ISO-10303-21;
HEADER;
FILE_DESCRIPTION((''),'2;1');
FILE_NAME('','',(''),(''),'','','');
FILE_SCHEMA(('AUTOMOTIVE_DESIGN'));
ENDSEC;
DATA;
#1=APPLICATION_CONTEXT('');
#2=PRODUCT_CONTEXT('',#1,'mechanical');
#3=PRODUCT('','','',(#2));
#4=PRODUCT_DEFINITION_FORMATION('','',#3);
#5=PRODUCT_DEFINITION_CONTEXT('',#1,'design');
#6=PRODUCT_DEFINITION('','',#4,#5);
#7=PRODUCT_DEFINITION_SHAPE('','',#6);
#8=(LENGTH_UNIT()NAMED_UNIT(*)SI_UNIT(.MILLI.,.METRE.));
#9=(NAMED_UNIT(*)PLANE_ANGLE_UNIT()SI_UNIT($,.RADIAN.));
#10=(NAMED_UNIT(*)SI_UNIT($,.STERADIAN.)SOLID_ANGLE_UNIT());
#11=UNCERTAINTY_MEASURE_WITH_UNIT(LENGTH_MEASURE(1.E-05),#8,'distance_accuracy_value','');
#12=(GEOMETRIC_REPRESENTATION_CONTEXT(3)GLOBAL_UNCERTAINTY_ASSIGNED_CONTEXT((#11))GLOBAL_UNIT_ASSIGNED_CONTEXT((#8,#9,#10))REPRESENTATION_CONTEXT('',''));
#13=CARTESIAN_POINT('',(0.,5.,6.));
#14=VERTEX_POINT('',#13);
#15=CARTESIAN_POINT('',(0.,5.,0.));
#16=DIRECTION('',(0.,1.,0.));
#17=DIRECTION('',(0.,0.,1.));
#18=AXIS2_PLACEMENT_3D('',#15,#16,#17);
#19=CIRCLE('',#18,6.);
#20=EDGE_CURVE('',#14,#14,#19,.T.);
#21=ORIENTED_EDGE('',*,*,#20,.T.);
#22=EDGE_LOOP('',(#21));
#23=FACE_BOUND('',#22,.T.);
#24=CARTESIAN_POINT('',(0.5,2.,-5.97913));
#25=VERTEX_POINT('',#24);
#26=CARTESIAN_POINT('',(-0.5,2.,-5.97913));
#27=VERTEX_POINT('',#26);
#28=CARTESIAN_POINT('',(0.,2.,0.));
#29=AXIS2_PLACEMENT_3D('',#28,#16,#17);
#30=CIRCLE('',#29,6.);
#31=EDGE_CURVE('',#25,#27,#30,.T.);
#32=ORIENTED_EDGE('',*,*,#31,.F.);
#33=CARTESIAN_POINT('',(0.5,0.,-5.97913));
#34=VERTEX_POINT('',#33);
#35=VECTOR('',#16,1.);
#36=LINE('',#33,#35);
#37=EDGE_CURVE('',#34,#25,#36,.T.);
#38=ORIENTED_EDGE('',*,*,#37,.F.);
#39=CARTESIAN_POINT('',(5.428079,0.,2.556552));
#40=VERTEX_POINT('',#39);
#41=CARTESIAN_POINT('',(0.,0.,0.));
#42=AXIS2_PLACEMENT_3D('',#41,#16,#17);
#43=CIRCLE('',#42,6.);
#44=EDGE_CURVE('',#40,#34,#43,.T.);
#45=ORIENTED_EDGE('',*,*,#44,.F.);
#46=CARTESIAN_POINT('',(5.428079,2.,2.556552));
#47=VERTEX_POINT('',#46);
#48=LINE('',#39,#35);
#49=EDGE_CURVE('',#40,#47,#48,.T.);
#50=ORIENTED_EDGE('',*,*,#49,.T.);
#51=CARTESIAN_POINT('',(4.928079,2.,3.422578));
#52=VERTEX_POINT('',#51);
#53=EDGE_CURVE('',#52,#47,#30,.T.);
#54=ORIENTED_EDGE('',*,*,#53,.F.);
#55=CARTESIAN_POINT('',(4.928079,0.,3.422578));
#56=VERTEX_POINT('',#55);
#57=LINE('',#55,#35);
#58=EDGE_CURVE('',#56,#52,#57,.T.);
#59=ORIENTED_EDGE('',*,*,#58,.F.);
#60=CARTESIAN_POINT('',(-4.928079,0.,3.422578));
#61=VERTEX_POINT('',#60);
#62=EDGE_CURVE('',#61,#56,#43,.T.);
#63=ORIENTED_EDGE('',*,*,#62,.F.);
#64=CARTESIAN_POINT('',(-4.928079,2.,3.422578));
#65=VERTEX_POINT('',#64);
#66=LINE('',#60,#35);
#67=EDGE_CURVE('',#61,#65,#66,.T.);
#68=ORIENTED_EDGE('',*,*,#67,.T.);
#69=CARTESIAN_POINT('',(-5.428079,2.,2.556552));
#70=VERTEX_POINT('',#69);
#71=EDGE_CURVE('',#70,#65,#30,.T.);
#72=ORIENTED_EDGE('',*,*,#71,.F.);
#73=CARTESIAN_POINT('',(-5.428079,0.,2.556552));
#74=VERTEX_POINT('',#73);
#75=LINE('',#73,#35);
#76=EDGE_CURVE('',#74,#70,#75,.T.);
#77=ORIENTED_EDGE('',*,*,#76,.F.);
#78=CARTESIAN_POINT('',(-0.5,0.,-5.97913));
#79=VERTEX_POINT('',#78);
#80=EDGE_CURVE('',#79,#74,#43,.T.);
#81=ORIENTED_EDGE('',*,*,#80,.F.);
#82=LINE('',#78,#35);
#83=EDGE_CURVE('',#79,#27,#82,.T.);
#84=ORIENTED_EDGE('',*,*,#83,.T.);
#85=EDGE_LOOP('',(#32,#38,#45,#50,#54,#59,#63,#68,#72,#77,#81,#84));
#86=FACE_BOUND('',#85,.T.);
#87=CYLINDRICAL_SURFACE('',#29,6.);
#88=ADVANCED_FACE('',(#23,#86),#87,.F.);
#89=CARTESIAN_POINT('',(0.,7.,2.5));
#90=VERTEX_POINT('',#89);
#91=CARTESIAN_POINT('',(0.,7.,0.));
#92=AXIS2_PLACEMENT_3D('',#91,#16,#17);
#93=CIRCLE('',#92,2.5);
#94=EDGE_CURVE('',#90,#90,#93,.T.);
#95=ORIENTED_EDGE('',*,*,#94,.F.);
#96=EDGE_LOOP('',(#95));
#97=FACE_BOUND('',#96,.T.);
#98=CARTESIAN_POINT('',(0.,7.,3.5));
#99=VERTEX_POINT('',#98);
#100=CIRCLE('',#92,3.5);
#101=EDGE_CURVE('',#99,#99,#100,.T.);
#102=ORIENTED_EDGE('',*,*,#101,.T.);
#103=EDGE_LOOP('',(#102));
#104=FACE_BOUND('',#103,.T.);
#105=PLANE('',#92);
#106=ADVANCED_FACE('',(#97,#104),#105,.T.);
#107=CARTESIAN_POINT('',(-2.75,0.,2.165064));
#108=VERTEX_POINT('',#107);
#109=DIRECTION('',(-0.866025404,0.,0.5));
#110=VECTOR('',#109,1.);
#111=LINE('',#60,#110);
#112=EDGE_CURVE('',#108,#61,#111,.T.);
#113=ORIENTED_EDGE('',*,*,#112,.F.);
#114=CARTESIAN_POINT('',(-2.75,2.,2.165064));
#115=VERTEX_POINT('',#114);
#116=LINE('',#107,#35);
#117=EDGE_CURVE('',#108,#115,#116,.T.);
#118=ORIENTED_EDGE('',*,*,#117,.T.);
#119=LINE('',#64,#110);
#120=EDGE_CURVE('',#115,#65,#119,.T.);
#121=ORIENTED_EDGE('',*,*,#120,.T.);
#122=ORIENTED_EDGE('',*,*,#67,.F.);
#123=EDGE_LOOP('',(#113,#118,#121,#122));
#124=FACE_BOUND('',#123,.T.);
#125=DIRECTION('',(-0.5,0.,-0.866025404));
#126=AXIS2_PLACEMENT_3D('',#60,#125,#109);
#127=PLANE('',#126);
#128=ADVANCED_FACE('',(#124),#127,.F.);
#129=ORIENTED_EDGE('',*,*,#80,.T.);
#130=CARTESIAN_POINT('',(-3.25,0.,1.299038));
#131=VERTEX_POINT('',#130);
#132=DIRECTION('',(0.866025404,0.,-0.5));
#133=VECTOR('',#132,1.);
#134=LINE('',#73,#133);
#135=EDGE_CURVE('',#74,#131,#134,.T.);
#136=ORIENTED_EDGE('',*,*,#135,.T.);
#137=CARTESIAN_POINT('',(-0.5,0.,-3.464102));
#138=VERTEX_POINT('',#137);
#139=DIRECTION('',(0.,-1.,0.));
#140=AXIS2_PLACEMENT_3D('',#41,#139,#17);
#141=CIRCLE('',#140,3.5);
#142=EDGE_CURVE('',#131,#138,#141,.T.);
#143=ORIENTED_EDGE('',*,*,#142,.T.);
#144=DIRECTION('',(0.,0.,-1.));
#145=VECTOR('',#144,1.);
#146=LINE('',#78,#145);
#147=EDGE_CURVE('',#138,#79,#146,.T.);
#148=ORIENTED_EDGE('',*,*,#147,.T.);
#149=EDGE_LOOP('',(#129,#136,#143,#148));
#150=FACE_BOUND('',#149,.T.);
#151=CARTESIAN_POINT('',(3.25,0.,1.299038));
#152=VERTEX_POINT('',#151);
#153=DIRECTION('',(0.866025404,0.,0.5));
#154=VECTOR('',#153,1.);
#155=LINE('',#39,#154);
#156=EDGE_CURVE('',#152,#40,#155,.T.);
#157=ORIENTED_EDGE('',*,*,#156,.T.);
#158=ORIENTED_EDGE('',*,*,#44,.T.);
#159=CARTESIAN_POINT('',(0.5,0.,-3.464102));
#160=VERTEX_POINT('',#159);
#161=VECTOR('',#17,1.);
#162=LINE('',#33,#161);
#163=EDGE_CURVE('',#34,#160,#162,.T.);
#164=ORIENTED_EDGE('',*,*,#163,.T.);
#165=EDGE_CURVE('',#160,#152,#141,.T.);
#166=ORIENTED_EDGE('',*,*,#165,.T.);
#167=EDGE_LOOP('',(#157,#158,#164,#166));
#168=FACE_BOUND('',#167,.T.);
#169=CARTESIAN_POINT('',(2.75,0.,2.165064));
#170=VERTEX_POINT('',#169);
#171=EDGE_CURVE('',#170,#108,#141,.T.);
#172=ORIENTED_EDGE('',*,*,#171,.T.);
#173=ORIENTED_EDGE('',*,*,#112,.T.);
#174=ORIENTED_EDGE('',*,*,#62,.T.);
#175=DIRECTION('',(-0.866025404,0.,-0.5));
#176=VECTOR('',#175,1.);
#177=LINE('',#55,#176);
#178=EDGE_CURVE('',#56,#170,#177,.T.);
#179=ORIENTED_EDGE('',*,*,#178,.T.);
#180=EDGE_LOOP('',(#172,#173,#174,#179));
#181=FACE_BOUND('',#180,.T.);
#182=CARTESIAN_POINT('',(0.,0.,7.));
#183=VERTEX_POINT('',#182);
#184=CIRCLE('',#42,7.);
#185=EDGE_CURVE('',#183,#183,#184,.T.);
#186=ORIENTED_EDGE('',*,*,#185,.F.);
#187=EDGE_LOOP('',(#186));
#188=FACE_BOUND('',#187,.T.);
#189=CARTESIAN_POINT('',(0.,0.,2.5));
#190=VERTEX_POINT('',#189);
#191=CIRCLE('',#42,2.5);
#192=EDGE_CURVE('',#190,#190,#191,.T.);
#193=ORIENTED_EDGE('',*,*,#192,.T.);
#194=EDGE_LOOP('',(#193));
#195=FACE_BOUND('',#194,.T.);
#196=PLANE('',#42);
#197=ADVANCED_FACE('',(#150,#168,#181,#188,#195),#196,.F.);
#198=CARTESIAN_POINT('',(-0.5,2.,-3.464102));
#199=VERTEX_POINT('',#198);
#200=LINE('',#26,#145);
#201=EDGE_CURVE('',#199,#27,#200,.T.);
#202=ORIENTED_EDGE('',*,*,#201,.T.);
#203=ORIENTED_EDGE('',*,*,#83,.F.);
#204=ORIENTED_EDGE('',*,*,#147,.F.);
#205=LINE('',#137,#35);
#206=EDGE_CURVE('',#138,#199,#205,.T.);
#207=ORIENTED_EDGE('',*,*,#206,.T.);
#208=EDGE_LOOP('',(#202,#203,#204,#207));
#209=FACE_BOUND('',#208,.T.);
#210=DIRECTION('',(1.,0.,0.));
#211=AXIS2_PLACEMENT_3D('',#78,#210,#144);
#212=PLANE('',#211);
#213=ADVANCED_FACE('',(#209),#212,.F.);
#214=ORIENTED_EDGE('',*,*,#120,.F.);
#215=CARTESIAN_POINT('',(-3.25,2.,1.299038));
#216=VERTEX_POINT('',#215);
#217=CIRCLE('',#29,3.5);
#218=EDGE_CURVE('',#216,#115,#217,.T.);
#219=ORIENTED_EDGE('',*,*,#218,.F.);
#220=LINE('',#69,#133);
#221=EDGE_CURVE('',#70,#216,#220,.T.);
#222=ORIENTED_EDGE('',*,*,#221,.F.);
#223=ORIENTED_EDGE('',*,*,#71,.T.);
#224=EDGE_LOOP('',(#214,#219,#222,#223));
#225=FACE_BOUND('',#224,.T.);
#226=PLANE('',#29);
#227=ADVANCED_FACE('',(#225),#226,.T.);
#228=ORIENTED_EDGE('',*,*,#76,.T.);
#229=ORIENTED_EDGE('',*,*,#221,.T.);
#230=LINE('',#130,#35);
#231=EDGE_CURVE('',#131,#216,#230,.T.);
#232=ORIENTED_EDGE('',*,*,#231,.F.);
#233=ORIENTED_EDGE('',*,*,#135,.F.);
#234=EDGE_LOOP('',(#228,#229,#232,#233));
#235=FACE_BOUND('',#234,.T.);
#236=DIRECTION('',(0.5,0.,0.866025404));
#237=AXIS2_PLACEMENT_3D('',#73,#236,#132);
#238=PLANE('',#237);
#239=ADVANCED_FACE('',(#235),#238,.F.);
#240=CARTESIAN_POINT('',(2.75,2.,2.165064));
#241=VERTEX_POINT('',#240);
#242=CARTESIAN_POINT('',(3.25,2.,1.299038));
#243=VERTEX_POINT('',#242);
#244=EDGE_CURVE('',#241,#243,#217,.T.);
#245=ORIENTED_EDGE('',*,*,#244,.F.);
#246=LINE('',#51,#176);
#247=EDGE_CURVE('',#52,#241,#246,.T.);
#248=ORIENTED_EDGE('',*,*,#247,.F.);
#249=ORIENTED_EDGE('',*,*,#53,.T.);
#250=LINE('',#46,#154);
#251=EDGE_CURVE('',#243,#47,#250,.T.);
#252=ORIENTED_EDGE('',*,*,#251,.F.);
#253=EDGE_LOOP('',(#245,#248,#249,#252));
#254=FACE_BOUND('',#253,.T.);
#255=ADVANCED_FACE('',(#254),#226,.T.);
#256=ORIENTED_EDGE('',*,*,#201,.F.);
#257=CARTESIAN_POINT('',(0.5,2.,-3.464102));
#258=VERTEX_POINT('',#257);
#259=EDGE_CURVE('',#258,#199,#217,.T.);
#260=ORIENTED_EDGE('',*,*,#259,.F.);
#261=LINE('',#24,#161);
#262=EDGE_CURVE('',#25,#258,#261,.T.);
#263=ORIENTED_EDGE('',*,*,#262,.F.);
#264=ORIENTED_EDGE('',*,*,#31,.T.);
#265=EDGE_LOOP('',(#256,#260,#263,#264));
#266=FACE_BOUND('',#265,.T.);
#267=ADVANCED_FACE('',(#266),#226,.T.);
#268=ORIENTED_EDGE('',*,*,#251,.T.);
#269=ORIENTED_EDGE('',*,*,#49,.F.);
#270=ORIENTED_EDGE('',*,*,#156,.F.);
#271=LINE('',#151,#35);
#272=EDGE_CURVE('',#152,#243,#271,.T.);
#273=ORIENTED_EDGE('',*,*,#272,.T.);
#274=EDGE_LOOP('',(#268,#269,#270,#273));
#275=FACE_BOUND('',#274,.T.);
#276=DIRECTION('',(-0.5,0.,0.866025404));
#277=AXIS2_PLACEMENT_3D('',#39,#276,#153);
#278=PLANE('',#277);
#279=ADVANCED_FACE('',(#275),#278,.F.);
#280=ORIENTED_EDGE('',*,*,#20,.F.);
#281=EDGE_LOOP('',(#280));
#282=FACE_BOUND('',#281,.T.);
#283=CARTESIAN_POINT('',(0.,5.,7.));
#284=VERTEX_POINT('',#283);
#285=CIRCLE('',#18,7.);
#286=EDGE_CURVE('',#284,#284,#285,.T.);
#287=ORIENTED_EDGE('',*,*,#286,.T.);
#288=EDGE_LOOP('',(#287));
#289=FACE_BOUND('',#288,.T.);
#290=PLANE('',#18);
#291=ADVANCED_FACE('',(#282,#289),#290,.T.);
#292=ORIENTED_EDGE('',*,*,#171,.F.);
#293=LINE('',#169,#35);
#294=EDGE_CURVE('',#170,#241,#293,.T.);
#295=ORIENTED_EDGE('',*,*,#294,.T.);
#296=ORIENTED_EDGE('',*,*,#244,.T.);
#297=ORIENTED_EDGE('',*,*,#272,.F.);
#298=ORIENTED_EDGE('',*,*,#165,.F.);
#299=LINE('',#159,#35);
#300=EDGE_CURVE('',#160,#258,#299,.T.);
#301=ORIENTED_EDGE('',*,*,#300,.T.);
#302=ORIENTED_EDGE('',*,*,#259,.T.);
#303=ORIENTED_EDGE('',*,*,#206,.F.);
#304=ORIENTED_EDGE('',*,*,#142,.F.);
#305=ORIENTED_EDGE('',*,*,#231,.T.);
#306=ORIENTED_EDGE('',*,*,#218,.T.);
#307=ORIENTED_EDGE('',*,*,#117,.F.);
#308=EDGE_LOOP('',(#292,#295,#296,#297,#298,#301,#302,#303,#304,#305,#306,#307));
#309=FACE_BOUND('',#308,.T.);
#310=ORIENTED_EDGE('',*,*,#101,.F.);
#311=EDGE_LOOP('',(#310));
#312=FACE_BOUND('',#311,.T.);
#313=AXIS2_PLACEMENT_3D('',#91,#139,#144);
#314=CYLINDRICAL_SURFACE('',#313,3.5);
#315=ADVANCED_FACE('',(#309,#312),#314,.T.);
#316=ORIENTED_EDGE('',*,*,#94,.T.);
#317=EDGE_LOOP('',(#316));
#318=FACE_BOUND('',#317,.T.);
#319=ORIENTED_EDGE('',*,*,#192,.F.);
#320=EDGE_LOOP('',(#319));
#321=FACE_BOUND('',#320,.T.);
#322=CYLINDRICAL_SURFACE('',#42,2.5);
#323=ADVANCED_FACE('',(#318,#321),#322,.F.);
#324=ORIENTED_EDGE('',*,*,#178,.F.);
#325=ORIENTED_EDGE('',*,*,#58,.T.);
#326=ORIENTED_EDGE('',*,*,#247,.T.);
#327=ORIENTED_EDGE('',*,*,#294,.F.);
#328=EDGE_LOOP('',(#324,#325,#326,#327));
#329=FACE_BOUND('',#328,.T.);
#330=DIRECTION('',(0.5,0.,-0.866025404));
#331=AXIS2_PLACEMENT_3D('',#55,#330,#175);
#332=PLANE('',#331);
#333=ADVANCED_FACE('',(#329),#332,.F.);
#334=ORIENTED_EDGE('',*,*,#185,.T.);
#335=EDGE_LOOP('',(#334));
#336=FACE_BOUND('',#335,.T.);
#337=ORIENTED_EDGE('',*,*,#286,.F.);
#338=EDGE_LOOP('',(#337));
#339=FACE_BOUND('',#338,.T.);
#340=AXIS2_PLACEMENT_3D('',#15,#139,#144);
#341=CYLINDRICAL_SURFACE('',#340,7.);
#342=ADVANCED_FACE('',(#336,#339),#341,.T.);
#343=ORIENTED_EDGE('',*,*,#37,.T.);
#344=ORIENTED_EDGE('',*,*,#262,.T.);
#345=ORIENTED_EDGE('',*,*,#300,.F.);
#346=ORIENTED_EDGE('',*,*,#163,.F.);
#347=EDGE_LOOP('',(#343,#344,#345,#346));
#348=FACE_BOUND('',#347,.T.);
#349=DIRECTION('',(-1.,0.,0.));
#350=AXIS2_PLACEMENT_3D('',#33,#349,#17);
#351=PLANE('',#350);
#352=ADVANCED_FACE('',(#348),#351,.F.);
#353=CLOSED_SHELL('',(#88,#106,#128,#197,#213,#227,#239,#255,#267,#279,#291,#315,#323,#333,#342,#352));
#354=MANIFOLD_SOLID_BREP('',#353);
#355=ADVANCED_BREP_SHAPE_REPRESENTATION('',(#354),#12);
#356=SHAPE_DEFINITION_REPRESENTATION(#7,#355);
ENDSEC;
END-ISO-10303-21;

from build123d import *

# Parameters (mm, degrees)
SKETCH1_R           = 7
BOSS_EXTRUDE1_DEPTH = 5
SKETCH2_R           = 6
CUT_EXTRUDE1_DEPTH  = 3
SKETCH3_R           = 3.5
BOSS_EXTRUDE3_DEPTH = 5
SKETCH4_R           = 2.5
CUT_EXTRUDE2_DEPTH  = 8
CUT_EXTRUDE3_DEPTH  = 3


with BuildPart() as part:
    # Sketch1 → Boss-Extrude1 (new body)
    with BuildSketch(Plane(origin=(0, 0, 0), x_dir=(1, 0, 0), z_dir=(0, 1, 0))):
        Circle(SKETCH1_R)
    extrude(amount=BOSS_EXTRUDE1_DEPTH)

    # Sketch2 → Cut-Extrude1 (cut)
    with BuildSketch(Plane(origin=(0, 5, 0), x_dir=(1, 0, 0), z_dir=(0, 1, 0))):
        Circle(SKETCH2_R)
    extrude(amount=-CUT_EXTRUDE1_DEPTH, mode=Mode.SUBTRACT)

    # Sketch3 → Boss-Extrude3 (add)
    with BuildSketch(Plane(origin=(0, 2, 0), x_dir=(1, 0, 0), z_dir=(0, 1, 0))):
        Circle(SKETCH3_R)
    extrude(amount=BOSS_EXTRUDE3_DEPTH)

    # Sketch4 → Cut-Extrude2 (cut, through all)
    with BuildSketch(Plane(origin=(0, 7, 0), x_dir=(1, 0, 0), z_dir=(0, 1, 0))):
        Circle(SKETCH4_R)
    extrude(amount=-CUT_EXTRUDE2_DEPTH, mode=Mode.SUBTRACT)

    # Sketch5 → Cut-Extrude3 (cut, through all)
    with BuildSketch(Plane(origin=(0, 2, 0), x_dir=(1, 0, 0), z_dir=(0, 1, 0))):
        with BuildLine():
            Line((-0.5, 5.979130372), (-0.5, 3.464101615))
            ThreePointArc((-0.5, 3.464101615), (-3.031088913, 1.75), (-3.25, -1.299038106))
            Line((-3.25, -1.299038106), (-5.428078794, -2.556552484))
            ThreePointArc((-5.428078794, -2.556552484), (-5.196152423, 3), (-0.5, 5.979130372))
        make_face()
        with BuildLine():
            Line((0.5, 5.979130372), (0.5, 3.464101615))
            ThreePointArc((0.5, 3.464101615), (3.031088913, 1.75), (3.25, -1.299038106))
            Line((3.25, -1.299038106), (5.428078794, -2.556552484))
            ThreePointArc((5.428078794, -2.556552484), (5.196152423, 3), (0.5, 5.979130372))
        make_face()
        with BuildLine():
            Line((-4.928078794, -3.422577888), (-2.75, -2.165063509))
            ThreePointArc((-2.75, -2.165063509), (0, -3.5), (2.75, -2.165063509))
            Line((2.75, -2.165063509), (4.928078794, -3.422577888))
            ThreePointArc((4.928078794, -3.422577888), (0, -6), (-4.928078794, -3.422577888))
        make_face()
    extrude(amount=-CUT_EXTRUDE3_DEPTH, mode=Mode.SUBTRACT)


solid = part.part
